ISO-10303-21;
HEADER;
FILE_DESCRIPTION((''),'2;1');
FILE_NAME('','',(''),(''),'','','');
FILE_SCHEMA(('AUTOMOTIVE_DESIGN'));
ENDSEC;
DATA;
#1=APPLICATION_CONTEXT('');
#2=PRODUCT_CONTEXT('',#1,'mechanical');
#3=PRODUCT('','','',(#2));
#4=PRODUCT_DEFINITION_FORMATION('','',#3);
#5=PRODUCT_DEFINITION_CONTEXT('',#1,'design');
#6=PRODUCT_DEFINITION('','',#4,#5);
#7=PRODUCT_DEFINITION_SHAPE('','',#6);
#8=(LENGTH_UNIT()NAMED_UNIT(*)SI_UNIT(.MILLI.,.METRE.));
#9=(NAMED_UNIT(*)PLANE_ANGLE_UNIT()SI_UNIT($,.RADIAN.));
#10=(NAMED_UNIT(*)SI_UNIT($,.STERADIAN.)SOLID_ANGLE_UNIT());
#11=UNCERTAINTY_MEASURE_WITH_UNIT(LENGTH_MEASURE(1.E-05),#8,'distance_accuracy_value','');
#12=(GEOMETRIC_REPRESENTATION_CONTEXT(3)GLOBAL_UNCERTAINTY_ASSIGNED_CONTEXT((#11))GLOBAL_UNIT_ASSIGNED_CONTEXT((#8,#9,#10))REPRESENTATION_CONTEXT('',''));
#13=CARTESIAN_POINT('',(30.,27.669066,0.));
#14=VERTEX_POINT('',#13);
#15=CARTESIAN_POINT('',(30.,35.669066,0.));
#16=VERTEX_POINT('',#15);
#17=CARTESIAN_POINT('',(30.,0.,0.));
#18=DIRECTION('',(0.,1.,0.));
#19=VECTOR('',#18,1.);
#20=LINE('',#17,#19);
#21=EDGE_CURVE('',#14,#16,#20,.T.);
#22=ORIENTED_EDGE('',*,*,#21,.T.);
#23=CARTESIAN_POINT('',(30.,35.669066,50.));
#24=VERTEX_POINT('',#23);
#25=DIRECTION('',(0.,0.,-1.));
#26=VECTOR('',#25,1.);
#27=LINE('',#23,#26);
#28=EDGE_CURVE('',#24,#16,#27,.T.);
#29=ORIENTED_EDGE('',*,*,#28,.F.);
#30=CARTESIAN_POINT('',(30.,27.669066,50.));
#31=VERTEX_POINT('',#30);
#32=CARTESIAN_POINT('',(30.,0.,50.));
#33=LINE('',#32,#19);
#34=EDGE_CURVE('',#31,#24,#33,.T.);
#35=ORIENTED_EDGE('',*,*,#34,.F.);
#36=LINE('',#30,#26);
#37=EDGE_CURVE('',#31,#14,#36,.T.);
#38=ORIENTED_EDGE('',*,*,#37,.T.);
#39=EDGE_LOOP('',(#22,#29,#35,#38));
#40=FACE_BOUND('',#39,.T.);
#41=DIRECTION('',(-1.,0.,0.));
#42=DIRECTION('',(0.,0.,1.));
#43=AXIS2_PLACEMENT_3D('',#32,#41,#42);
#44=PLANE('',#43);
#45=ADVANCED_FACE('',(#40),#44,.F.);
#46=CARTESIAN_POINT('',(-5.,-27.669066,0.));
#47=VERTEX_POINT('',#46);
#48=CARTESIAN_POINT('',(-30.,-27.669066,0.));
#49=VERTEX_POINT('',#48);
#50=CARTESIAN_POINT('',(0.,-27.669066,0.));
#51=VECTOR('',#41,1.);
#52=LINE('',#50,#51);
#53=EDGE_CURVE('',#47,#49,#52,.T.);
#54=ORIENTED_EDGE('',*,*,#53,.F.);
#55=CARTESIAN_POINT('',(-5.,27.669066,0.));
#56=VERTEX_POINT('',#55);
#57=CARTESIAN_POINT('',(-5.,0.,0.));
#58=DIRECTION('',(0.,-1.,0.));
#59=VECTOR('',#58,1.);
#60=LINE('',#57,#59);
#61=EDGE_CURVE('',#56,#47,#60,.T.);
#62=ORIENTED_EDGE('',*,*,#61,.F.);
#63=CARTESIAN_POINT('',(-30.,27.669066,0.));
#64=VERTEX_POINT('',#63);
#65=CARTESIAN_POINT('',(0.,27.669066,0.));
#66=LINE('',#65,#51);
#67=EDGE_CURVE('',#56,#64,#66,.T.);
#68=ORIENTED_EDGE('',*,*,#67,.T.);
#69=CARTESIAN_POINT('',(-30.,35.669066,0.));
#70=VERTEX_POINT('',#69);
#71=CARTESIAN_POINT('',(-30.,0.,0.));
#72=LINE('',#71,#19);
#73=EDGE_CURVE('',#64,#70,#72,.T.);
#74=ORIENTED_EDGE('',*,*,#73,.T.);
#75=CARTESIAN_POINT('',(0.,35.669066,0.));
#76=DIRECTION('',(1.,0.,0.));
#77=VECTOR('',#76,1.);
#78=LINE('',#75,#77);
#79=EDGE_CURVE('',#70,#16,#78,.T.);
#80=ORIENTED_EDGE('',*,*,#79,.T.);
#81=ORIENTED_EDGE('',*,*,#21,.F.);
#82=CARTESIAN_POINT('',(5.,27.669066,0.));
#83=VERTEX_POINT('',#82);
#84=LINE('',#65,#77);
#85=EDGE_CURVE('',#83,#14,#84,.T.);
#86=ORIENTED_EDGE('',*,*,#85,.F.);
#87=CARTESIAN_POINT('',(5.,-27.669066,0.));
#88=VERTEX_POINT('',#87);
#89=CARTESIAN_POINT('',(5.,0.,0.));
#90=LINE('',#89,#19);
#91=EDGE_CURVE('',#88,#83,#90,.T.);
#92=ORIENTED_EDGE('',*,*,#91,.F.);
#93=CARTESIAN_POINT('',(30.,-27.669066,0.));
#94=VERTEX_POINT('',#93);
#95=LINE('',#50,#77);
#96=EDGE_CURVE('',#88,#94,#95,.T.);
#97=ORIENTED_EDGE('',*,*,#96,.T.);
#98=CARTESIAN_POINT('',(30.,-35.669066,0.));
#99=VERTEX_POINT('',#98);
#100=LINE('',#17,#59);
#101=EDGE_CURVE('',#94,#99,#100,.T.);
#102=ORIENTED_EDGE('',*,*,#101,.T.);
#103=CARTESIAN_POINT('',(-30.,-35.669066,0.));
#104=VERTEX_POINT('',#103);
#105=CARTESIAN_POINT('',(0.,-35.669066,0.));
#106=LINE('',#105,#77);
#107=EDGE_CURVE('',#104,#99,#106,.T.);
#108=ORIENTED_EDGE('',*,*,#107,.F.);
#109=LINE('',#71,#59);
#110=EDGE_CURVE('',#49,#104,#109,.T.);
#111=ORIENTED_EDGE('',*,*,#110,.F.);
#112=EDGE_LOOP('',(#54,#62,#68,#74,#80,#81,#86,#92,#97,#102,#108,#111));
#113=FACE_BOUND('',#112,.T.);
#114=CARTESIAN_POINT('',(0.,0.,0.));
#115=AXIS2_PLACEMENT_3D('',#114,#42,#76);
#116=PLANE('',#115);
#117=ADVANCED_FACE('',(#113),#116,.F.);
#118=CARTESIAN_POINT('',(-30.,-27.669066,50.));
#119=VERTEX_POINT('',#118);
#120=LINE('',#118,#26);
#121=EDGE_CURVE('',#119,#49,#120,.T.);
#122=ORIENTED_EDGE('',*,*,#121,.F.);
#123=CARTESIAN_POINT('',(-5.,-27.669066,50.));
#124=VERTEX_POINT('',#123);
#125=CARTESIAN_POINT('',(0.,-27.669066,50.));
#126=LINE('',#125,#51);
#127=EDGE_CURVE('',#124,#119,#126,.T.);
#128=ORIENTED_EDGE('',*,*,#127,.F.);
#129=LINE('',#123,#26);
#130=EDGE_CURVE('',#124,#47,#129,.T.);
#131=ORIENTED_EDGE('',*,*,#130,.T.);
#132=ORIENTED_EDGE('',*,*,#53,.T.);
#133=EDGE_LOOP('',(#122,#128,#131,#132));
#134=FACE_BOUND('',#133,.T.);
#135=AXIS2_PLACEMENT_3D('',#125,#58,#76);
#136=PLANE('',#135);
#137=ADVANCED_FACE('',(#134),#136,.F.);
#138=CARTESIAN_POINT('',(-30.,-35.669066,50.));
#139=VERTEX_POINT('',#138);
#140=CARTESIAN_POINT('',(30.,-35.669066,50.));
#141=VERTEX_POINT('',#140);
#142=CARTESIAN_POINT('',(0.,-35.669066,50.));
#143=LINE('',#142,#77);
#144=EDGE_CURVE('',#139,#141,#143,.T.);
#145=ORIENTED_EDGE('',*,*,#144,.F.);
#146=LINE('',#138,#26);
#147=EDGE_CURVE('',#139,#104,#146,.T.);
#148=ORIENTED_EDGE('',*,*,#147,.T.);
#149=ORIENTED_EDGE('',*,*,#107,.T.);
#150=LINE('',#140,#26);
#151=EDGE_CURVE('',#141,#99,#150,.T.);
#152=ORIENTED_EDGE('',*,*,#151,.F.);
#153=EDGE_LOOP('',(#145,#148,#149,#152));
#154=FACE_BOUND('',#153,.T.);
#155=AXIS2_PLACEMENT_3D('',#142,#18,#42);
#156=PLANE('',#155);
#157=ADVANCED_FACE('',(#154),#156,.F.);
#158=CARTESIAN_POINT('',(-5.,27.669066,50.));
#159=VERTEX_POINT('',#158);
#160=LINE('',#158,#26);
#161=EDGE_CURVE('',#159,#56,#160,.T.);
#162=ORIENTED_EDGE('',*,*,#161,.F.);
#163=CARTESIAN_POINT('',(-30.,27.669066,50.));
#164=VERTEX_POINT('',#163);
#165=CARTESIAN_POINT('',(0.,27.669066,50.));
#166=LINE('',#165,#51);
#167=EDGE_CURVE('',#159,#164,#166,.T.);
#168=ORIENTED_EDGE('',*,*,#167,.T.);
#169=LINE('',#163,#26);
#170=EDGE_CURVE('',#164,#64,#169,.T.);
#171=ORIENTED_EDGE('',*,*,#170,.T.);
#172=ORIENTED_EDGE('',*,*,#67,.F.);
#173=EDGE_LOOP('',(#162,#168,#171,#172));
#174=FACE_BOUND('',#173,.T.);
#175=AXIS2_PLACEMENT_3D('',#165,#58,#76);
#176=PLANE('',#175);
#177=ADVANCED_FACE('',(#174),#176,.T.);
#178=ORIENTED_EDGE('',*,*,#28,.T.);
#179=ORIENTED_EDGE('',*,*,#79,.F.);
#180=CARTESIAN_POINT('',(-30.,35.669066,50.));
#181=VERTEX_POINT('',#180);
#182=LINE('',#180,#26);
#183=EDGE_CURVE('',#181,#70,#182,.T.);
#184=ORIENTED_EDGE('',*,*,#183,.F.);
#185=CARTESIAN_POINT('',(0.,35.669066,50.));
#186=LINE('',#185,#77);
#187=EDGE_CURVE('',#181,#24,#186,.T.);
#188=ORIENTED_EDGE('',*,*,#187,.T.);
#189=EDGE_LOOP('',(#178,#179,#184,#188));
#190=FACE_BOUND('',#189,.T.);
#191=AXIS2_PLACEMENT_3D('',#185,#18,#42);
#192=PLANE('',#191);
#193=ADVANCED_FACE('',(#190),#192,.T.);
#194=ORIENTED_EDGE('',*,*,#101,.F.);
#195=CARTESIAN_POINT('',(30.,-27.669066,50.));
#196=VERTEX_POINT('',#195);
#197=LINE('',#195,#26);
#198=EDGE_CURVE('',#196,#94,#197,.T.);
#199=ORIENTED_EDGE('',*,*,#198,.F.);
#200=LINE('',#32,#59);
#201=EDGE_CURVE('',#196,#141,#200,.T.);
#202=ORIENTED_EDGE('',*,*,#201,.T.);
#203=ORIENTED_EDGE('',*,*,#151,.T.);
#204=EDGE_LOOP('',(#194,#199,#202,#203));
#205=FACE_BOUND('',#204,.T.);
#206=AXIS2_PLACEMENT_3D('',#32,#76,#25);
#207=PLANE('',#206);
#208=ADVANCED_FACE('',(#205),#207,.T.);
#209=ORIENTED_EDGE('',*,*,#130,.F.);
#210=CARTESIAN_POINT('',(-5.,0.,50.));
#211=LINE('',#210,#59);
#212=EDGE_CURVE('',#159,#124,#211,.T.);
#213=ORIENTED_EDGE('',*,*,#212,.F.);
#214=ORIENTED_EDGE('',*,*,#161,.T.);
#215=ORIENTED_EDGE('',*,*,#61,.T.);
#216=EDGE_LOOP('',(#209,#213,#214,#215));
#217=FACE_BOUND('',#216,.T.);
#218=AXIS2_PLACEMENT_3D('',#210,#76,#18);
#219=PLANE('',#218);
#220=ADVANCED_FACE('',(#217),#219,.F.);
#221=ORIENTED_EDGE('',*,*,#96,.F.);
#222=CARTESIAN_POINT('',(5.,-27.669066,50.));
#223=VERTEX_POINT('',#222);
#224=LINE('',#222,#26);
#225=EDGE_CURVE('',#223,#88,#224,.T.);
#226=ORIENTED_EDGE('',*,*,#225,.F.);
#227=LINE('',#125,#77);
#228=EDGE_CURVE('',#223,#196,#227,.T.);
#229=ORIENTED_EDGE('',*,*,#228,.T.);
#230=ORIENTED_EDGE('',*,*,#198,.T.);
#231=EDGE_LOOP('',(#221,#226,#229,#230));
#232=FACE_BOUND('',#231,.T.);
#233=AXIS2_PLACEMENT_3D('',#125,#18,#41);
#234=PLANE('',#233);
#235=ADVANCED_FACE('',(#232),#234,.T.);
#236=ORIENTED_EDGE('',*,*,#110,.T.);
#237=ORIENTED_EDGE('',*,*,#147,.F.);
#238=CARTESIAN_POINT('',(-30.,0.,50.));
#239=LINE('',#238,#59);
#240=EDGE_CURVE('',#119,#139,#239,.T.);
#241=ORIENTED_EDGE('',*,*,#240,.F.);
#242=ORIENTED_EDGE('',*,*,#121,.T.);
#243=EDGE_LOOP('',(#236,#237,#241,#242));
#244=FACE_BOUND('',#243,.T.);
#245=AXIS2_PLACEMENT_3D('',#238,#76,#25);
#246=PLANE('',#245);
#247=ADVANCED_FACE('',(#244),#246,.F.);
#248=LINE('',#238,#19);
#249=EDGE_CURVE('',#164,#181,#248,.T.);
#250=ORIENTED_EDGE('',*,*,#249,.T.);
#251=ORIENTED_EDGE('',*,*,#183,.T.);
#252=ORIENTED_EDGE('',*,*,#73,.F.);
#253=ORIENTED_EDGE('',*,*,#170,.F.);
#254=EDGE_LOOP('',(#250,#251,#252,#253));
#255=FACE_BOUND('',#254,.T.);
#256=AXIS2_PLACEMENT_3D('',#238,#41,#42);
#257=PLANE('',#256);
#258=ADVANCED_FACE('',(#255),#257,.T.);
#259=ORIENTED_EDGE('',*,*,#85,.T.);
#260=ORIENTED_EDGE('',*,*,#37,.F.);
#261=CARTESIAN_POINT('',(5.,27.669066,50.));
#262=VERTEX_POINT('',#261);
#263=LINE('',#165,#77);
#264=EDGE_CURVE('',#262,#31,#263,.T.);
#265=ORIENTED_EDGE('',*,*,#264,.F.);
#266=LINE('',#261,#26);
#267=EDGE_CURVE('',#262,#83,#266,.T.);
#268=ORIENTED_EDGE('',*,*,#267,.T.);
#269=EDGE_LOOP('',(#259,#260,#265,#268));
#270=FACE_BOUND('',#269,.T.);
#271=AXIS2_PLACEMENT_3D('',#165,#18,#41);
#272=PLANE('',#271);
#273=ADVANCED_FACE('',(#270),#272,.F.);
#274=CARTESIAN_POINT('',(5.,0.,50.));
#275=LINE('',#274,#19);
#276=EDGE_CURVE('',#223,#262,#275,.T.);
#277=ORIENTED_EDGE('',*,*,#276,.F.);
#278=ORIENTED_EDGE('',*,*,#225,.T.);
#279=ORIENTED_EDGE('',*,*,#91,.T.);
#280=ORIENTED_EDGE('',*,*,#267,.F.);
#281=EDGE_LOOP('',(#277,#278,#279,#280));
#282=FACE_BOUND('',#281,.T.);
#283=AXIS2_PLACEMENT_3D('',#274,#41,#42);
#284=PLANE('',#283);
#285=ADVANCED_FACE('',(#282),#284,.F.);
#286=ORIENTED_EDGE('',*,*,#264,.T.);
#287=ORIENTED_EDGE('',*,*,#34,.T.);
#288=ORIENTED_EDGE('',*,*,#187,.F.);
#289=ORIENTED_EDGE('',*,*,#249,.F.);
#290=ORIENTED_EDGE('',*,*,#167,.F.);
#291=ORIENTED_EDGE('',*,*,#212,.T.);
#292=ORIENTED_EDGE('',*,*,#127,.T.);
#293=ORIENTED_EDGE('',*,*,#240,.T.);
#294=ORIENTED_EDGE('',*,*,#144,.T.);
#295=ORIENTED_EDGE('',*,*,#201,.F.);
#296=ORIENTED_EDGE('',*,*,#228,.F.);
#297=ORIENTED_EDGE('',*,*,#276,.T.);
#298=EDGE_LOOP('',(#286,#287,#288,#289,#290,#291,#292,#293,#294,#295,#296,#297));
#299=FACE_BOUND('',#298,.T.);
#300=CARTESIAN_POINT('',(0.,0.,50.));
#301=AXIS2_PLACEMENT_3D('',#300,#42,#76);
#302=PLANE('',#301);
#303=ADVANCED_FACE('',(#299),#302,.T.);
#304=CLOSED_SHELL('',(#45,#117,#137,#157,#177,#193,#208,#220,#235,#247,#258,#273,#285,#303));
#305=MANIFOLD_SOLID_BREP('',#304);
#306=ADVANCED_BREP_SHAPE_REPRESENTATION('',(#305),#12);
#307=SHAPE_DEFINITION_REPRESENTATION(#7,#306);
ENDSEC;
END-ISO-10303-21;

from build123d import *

# Parameters (mm, degrees)
BOSS_EXTRUDE1_DEPTH = 50


with BuildPart() as part:
    # Sketch1 → Boss-Extrude1 (new body)
    with BuildSketch(Plane.XY):
        Polygon((-30, -27.669066156), (-30, -35.669066156), (30, -35.669066156), (30, -27.669066156), (5, -27.669066156), (5, 27.669066156), (30, 27.669066156), (30, 35.669066156), (-30, 35.669066156), (-30, 27.669066156), (-5, 27.669066156), (-5, -27.669066156), align=None)
    extrude(amount=BOSS_EXTRUDE1_DEPTH)


solid = part.part
